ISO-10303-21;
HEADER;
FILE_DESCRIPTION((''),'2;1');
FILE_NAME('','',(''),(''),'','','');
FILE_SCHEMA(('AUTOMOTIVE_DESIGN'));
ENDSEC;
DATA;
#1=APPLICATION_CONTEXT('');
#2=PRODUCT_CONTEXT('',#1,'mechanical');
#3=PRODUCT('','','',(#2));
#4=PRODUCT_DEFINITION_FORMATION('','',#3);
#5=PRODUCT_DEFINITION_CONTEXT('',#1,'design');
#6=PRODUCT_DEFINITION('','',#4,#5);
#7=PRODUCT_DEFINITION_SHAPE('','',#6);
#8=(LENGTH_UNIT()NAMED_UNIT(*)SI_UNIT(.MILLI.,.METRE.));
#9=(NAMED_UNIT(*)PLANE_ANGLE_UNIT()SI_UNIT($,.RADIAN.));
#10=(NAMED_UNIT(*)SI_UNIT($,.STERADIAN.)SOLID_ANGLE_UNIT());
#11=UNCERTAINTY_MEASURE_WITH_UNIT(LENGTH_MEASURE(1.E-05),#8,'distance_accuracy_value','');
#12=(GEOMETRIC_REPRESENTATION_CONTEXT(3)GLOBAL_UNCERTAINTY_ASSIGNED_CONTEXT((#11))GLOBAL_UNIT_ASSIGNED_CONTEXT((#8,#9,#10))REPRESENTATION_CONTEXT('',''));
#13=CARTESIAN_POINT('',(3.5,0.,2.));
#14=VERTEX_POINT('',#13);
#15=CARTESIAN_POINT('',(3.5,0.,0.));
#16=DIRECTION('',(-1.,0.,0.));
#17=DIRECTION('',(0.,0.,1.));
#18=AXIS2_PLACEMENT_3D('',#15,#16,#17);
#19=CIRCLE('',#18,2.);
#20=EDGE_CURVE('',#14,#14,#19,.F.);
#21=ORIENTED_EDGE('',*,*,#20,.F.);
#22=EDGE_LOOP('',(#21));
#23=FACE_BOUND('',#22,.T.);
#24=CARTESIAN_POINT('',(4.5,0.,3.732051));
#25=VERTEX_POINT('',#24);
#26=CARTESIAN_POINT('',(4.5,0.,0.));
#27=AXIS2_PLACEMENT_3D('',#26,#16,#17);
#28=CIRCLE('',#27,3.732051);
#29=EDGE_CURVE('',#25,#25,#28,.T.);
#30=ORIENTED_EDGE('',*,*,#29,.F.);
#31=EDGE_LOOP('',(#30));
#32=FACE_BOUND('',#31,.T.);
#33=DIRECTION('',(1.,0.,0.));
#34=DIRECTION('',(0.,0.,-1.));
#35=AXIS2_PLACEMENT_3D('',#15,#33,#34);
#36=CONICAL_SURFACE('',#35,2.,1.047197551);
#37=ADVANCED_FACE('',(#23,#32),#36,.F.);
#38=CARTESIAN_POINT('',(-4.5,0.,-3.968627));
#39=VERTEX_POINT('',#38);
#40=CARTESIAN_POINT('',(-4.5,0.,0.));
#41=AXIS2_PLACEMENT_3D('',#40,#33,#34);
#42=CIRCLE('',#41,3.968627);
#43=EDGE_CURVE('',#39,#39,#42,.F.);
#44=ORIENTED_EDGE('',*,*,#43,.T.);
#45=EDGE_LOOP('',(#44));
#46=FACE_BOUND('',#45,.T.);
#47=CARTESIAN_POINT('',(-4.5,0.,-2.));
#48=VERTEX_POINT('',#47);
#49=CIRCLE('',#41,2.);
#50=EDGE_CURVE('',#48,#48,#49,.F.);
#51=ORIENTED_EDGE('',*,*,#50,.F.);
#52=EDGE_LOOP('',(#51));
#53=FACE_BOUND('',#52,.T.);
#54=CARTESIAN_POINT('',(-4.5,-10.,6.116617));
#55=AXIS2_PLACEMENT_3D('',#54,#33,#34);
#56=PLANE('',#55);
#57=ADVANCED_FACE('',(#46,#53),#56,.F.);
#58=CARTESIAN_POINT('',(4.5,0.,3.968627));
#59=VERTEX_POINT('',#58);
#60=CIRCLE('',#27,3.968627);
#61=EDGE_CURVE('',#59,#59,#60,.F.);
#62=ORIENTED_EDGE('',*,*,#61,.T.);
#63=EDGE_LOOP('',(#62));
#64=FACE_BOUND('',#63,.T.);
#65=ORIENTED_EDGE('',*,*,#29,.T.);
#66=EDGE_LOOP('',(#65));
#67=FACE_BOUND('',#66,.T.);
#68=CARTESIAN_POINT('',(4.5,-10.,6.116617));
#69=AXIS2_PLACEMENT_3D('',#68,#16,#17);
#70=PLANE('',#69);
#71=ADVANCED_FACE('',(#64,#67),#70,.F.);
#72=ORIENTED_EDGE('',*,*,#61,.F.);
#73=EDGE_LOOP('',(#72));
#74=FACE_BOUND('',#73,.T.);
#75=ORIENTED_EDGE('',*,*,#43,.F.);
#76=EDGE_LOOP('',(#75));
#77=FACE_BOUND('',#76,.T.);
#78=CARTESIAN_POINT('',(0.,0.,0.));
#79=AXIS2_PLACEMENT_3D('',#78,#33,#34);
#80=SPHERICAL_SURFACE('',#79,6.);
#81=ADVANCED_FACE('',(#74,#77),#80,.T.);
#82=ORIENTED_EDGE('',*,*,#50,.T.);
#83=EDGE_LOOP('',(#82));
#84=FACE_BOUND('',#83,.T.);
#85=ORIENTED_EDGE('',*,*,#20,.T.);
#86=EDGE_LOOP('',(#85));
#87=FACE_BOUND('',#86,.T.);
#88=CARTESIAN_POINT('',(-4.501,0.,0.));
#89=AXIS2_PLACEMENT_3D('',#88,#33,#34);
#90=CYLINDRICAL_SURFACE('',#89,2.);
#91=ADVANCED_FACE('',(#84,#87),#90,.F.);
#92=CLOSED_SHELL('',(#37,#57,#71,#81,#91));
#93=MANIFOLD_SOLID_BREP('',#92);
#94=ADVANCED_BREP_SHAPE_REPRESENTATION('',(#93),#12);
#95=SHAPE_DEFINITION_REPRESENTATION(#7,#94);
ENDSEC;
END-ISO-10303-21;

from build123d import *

# Parameters (mm, degrees)
CUT_EXTRUDE1_DEPTH = 10
CUT_EXTRUDE2_REACH = 11
SKETCH4_R          = 2
CHAMFER1_SIZE      = 1
CHAMFER1_SIZE2     = 1.732050808


with BuildPart() as part:
    # Sketch2 → Revolve10 (revolve)
    with BuildSketch(Plane(origin=(0, 0, 0), x_dir=(1, 0, 0), z_dir=(0, 1, 0))):
        with BuildLine():
            Line((0, 6), (0, -6))
            ThreePointArc((0, -6), (-6, 0), (0, 6))
        make_face()
    revolve(axis=Axis((0, 0, -6), (0, 0, 1)))

    # Sketch3 → Cut-Extrude1 (cut, symmetric)
    with BuildSketch(Plane(origin=(0, 0, 0), x_dir=(1, 0, 0), z_dir=(0, 1, 0))):
        Polygon((-4.5, 6.116617365), (-8.039926199, -0.619090826), (-4.5, -6.116617365), align=None)
        Polygon((4.5, -6.116617365), (4.5, 6.116617365), (7.115417232, -1.229927109), align=None)
    extrude(amount=CUT_EXTRUDE1_DEPTH, both=True, mode=Mode.SUBTRACT)

    # Sketch4 → Cut-Extrude2 (cut, up to next)
    with BuildSketch(Plane(origin=(4.5, 0, 0), x_dir=(0, 0, -1), z_dir=(1, 0, 0)), mode=Mode.PRIVATE) as cut_extrude2_sk1:
        Circle(SKETCH4_R)
    cut_extrude2_tool1 = extrude(cut_extrude2_sk1.sketch, amount=-CUT_EXTRUDE2_REACH, mode=Mode.PRIVATE) & part.part
    add(cut_extrude2_tool1.solids().sort_by_distance((4.5, 0, 0))[0], mode=Mode.SUBTRACT)

    # Chamfer1
    chamfer1_edges = [part.edges().sort_by_distance(p)[0] for p in [
        (4.5, 0, 2),
    ]]
    chamfer1_side = [part.faces().sort_by_distance(p)[0] for p in [
        (0, 0, 2),
    ]]
    chamfer(chamfer1_edges, length=CHAMFER1_SIZE, length2=CHAMFER1_SIZE2, reference=chamfer1_side[0])


solid = part.part
